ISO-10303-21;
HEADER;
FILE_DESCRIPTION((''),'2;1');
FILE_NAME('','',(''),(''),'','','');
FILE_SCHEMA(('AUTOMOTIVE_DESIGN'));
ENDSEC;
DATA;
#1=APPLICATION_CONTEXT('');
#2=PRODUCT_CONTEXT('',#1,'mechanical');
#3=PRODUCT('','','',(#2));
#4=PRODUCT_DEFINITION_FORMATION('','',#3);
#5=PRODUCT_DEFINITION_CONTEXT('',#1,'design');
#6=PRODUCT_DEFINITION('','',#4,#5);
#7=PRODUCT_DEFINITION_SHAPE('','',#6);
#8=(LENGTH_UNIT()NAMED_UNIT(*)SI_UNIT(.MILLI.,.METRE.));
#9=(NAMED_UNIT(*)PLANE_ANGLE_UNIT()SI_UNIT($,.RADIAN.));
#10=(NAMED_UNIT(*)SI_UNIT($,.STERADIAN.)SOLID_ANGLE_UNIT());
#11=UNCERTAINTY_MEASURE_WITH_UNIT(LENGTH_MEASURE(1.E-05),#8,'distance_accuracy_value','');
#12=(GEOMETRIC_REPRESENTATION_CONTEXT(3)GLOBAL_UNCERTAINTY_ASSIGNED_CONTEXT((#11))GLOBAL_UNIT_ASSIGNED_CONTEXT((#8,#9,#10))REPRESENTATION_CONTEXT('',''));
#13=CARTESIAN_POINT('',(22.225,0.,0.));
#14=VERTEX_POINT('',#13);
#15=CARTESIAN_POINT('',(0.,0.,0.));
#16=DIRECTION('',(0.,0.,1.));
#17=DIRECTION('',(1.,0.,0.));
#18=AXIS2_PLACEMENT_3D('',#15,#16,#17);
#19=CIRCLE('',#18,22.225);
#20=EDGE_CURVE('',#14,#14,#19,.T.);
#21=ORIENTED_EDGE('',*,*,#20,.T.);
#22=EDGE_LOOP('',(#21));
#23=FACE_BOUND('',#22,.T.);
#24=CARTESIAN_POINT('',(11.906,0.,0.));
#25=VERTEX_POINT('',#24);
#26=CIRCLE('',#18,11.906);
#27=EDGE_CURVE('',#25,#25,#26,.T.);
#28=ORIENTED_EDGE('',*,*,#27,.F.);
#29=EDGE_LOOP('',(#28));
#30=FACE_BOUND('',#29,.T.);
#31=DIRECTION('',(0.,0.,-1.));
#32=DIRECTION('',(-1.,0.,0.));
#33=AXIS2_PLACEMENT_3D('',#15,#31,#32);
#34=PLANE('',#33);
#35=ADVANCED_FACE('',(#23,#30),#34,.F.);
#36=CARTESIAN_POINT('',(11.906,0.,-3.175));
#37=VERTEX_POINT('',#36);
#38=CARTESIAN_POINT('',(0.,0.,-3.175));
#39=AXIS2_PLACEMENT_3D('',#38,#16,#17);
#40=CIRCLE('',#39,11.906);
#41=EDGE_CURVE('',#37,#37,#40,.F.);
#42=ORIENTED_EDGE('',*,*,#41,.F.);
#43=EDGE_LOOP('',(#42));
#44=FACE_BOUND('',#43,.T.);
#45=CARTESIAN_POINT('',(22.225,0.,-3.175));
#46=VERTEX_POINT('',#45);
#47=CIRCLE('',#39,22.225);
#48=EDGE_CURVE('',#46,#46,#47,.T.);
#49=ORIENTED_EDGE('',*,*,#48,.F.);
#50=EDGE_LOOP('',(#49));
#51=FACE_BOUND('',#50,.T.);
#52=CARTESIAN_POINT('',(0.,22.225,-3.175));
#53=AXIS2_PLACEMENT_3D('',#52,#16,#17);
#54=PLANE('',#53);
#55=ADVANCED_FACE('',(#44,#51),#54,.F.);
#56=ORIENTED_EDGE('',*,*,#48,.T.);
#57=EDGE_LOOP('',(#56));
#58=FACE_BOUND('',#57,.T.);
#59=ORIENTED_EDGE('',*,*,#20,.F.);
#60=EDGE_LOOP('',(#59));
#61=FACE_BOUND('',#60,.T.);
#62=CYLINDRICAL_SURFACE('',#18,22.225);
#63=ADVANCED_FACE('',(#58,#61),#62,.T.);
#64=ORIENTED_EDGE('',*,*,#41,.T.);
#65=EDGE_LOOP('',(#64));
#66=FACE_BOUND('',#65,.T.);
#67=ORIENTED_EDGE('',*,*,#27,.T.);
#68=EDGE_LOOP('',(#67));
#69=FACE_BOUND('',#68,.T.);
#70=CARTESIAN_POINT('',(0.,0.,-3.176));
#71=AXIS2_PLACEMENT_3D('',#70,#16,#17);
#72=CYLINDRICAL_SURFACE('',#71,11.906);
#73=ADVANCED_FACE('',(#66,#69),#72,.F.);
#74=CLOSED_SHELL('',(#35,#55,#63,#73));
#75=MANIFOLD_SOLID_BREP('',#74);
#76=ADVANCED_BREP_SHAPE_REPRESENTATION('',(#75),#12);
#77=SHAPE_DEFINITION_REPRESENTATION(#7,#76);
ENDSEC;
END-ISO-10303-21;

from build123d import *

# Parameters (mm, degrees)
CROQUIS1_W            = 3.175
CROQUIS1_H            = 22.225
CORTAR_EXTRUIR1_REACH = 33.591
CROQUIS2_R            = 11.906


with BuildPart() as part:
    # Croquis1 → Revolución1 (revolve)
    with BuildSketch(Plane(origin=(0, 0, 0), x_dir=(0, 0, -1), z_dir=(1, 0, 0)), mode=Mode.PRIVATE) as revoluci_n1_sk:
        with Locations((1.5875, 11.1125)):
            Rectangle(CROQUIS1_W, CROQUIS1_H)
    revolve(revoluci_n1_sk.sketch.rotate(Axis((0, 0, 0), (0, 0, -1)), 90), axis=Axis((0, 0, 0), (0, 0, -1)))

    # Croquis2 → Cortar-Extruir1 (cut, up to next)
    with BuildSketch(Plane.XY, mode=Mode.PRIVATE) as cortar_extruir1_sk1:
        Circle(CROQUIS2_R)
    cortar_extruir1_tool1 = extrude(cortar_extruir1_sk1.sketch, amount=-CORTAR_EXTRUIR1_REACH, mode=Mode.PRIVATE) & part.part
    add(cortar_extruir1_tool1.solids().sort_by_distance((0, 0, 0))[0], mode=Mode.SUBTRACT)


solid = part.part
